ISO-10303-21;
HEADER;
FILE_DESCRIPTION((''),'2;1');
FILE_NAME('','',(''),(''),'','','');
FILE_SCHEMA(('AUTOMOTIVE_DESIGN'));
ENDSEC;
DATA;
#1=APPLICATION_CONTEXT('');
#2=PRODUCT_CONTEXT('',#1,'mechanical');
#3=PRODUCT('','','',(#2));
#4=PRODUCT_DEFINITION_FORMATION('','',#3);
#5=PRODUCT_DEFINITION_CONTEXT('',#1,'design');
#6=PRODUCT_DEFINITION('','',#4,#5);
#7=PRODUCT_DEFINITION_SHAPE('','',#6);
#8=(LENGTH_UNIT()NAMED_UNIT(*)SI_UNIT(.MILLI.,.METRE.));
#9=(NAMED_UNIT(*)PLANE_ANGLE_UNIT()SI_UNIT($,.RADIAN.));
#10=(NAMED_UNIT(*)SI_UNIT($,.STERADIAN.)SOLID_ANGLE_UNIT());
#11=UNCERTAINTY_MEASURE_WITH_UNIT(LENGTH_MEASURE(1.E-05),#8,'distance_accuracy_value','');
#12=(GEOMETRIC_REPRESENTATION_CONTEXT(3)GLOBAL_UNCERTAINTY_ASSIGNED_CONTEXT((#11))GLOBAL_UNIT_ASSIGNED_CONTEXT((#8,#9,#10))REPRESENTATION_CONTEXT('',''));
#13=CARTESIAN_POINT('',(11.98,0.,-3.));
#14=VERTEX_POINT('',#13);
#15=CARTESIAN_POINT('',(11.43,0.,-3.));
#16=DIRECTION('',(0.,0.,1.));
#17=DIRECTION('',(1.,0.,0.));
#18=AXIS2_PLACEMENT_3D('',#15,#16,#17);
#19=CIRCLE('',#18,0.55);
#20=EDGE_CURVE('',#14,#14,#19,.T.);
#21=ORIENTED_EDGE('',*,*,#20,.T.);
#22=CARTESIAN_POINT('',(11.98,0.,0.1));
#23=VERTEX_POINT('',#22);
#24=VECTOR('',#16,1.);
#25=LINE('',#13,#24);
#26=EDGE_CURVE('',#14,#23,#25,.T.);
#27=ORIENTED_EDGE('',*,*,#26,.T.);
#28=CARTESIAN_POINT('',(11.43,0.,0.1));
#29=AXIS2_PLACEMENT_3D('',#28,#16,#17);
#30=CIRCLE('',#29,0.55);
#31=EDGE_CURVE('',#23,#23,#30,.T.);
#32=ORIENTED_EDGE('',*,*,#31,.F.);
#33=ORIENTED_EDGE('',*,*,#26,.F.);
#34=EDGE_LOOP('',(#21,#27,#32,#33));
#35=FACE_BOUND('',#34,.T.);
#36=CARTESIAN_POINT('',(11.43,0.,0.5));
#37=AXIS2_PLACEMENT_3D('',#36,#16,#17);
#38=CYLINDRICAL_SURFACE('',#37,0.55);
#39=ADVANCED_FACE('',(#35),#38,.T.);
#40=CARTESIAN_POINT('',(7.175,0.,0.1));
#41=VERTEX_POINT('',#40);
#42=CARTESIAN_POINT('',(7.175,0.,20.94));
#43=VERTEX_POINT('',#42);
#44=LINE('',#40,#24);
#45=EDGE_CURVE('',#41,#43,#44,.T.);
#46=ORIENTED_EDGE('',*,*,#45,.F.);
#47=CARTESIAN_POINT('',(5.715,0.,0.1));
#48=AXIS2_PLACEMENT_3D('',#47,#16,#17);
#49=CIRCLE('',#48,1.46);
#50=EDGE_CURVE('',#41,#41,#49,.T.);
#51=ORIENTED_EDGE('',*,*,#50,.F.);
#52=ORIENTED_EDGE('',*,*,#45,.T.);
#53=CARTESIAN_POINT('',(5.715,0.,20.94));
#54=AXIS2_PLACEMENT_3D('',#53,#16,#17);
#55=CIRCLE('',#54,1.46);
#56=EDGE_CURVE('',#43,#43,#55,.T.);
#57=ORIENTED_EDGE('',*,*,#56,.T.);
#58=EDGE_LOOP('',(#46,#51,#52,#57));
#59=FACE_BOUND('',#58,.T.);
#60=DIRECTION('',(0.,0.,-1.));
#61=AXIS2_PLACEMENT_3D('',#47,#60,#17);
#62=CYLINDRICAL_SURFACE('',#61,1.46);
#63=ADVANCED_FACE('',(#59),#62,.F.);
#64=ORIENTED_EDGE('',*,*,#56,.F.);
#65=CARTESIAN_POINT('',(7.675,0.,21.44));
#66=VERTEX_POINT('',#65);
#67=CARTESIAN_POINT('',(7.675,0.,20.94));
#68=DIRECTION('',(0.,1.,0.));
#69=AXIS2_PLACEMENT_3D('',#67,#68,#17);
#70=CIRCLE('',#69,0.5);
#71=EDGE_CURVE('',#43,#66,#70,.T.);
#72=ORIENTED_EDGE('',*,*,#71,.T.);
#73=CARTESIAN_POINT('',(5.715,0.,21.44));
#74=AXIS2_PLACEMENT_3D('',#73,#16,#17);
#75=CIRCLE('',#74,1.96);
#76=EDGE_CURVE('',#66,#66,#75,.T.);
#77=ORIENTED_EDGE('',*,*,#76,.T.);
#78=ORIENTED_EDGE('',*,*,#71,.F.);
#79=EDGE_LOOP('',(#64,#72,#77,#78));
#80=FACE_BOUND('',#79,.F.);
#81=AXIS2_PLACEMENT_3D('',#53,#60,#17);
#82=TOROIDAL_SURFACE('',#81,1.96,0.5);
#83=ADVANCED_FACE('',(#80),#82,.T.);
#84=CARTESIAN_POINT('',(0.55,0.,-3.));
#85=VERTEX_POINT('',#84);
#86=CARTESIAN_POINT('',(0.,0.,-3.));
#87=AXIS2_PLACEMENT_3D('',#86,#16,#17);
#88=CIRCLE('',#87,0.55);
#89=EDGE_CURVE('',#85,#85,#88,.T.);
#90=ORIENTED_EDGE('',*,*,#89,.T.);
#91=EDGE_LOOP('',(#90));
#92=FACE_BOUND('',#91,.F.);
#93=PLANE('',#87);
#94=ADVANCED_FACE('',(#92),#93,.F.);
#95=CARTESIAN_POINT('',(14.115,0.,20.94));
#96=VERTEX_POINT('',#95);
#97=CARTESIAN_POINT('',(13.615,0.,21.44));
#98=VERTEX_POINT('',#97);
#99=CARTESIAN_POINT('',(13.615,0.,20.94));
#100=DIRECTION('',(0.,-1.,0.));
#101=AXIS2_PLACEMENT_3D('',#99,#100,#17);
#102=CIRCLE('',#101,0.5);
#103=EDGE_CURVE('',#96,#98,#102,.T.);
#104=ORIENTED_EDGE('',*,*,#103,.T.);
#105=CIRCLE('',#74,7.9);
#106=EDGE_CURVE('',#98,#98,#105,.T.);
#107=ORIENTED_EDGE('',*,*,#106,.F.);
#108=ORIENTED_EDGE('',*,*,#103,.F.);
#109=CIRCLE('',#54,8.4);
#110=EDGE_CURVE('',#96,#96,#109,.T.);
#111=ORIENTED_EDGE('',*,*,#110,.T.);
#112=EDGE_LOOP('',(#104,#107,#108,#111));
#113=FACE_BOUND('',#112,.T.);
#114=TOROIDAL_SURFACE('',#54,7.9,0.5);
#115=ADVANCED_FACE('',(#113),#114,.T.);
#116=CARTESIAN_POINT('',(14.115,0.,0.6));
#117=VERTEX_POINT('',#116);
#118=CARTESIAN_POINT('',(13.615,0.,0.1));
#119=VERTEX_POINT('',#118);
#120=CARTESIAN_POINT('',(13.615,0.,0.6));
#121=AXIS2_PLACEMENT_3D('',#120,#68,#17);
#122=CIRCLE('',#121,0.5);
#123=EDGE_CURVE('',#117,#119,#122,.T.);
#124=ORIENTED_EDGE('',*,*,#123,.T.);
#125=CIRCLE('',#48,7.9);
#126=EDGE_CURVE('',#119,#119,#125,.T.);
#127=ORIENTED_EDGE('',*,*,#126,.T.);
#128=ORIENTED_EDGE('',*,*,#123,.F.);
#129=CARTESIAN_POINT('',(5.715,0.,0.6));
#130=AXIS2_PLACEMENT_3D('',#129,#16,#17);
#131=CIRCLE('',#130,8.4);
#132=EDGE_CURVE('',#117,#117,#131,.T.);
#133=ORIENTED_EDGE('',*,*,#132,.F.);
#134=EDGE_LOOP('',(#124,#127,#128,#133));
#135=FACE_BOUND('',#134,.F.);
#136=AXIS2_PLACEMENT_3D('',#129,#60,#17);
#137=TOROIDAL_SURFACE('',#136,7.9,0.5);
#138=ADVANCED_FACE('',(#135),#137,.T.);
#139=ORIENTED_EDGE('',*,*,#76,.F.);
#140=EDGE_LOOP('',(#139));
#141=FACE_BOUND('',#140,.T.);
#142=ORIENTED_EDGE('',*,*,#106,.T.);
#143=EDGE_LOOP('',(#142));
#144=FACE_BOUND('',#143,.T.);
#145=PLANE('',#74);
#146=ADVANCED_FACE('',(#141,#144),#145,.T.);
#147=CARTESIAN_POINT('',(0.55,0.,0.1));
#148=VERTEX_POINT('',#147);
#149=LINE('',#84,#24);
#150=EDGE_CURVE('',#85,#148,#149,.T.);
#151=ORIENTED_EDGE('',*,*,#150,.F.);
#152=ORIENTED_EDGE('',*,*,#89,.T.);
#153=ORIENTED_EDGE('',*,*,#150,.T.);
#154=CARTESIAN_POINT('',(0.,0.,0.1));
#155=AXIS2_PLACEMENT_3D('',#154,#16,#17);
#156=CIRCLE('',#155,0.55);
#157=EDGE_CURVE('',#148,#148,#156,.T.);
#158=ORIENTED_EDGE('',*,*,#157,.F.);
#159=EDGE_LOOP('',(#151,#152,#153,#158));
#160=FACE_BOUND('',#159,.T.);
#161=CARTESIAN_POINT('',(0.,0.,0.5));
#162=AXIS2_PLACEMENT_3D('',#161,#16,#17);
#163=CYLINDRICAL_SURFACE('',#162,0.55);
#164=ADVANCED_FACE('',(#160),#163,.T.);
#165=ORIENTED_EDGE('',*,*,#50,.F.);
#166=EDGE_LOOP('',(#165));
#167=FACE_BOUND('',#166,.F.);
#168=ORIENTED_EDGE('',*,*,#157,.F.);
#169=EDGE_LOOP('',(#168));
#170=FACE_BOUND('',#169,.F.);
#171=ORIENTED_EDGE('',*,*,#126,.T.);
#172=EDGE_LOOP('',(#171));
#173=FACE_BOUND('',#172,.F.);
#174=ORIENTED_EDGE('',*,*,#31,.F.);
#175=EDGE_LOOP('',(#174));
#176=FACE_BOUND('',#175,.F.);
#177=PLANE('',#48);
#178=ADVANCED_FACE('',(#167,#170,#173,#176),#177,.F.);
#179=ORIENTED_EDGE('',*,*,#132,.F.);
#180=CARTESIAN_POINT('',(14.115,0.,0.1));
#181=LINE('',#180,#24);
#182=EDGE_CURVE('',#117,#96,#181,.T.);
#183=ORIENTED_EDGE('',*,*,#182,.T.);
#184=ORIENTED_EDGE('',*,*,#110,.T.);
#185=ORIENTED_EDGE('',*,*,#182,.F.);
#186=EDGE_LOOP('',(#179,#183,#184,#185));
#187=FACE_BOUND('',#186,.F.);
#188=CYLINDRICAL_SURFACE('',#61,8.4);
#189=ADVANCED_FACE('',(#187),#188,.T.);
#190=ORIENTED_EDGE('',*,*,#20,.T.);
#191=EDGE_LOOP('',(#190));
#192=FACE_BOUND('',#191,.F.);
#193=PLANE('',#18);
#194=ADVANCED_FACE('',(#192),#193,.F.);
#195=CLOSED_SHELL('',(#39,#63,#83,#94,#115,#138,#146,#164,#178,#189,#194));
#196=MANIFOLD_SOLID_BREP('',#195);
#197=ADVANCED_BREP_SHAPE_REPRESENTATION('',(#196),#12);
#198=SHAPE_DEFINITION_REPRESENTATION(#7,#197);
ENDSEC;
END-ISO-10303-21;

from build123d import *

# Parameters (mm, degrees)
SKETCH001_R       = 0.55
PAD001_DEPTH      = 10.67
PAD001_DEPTH_BACK = 3.5
SKETCH_R          = 8.4
SKETCH_R_2        = 1.46
PAD_DEPTH         = 21.34
FILLET_R          = 0.5


with BuildPart() as pad001:
    # Sketch001 → Pad001 (new body, two sides)
    with BuildSketch(Plane.XY.offset(0.5)) as pad001_sk:
        Circle(SKETCH001_R)
        with Locations((11.43, 0)):
            Circle(SKETCH001_R)
    extrude(amount=PAD001_DEPTH)
    extrude(pad001_sk.sketch, amount=-PAD001_DEPTH_BACK)


with BuildPart() as fillet_mp_cp:
    # Sketch → Pad (new body)
    with BuildSketch(Plane.XY.offset(0.1)):
        with Locations((5.715, 0)):
            Circle(SKETCH_R)
        with Locations((5.715, 0)):
            Circle(SKETCH_R_2, mode=Mode.SUBTRACT)
    extrude(amount=PAD_DEPTH)

    # Fillet
    fillet_edges = [fillet_mp_cp.edges().sort_by_distance(p)[0] for p in [
        (4.255, 0, 21.44),
        (-2.685, 0, 21.44),
        (-2.685, 0, 0.1),
    ]]
    fillet(fillet_edges, radius=FILLET_R)

    # Fillet_mp_cp: union Pad001
    add(pad001.part)


solid = fillet_mp_cp.part
